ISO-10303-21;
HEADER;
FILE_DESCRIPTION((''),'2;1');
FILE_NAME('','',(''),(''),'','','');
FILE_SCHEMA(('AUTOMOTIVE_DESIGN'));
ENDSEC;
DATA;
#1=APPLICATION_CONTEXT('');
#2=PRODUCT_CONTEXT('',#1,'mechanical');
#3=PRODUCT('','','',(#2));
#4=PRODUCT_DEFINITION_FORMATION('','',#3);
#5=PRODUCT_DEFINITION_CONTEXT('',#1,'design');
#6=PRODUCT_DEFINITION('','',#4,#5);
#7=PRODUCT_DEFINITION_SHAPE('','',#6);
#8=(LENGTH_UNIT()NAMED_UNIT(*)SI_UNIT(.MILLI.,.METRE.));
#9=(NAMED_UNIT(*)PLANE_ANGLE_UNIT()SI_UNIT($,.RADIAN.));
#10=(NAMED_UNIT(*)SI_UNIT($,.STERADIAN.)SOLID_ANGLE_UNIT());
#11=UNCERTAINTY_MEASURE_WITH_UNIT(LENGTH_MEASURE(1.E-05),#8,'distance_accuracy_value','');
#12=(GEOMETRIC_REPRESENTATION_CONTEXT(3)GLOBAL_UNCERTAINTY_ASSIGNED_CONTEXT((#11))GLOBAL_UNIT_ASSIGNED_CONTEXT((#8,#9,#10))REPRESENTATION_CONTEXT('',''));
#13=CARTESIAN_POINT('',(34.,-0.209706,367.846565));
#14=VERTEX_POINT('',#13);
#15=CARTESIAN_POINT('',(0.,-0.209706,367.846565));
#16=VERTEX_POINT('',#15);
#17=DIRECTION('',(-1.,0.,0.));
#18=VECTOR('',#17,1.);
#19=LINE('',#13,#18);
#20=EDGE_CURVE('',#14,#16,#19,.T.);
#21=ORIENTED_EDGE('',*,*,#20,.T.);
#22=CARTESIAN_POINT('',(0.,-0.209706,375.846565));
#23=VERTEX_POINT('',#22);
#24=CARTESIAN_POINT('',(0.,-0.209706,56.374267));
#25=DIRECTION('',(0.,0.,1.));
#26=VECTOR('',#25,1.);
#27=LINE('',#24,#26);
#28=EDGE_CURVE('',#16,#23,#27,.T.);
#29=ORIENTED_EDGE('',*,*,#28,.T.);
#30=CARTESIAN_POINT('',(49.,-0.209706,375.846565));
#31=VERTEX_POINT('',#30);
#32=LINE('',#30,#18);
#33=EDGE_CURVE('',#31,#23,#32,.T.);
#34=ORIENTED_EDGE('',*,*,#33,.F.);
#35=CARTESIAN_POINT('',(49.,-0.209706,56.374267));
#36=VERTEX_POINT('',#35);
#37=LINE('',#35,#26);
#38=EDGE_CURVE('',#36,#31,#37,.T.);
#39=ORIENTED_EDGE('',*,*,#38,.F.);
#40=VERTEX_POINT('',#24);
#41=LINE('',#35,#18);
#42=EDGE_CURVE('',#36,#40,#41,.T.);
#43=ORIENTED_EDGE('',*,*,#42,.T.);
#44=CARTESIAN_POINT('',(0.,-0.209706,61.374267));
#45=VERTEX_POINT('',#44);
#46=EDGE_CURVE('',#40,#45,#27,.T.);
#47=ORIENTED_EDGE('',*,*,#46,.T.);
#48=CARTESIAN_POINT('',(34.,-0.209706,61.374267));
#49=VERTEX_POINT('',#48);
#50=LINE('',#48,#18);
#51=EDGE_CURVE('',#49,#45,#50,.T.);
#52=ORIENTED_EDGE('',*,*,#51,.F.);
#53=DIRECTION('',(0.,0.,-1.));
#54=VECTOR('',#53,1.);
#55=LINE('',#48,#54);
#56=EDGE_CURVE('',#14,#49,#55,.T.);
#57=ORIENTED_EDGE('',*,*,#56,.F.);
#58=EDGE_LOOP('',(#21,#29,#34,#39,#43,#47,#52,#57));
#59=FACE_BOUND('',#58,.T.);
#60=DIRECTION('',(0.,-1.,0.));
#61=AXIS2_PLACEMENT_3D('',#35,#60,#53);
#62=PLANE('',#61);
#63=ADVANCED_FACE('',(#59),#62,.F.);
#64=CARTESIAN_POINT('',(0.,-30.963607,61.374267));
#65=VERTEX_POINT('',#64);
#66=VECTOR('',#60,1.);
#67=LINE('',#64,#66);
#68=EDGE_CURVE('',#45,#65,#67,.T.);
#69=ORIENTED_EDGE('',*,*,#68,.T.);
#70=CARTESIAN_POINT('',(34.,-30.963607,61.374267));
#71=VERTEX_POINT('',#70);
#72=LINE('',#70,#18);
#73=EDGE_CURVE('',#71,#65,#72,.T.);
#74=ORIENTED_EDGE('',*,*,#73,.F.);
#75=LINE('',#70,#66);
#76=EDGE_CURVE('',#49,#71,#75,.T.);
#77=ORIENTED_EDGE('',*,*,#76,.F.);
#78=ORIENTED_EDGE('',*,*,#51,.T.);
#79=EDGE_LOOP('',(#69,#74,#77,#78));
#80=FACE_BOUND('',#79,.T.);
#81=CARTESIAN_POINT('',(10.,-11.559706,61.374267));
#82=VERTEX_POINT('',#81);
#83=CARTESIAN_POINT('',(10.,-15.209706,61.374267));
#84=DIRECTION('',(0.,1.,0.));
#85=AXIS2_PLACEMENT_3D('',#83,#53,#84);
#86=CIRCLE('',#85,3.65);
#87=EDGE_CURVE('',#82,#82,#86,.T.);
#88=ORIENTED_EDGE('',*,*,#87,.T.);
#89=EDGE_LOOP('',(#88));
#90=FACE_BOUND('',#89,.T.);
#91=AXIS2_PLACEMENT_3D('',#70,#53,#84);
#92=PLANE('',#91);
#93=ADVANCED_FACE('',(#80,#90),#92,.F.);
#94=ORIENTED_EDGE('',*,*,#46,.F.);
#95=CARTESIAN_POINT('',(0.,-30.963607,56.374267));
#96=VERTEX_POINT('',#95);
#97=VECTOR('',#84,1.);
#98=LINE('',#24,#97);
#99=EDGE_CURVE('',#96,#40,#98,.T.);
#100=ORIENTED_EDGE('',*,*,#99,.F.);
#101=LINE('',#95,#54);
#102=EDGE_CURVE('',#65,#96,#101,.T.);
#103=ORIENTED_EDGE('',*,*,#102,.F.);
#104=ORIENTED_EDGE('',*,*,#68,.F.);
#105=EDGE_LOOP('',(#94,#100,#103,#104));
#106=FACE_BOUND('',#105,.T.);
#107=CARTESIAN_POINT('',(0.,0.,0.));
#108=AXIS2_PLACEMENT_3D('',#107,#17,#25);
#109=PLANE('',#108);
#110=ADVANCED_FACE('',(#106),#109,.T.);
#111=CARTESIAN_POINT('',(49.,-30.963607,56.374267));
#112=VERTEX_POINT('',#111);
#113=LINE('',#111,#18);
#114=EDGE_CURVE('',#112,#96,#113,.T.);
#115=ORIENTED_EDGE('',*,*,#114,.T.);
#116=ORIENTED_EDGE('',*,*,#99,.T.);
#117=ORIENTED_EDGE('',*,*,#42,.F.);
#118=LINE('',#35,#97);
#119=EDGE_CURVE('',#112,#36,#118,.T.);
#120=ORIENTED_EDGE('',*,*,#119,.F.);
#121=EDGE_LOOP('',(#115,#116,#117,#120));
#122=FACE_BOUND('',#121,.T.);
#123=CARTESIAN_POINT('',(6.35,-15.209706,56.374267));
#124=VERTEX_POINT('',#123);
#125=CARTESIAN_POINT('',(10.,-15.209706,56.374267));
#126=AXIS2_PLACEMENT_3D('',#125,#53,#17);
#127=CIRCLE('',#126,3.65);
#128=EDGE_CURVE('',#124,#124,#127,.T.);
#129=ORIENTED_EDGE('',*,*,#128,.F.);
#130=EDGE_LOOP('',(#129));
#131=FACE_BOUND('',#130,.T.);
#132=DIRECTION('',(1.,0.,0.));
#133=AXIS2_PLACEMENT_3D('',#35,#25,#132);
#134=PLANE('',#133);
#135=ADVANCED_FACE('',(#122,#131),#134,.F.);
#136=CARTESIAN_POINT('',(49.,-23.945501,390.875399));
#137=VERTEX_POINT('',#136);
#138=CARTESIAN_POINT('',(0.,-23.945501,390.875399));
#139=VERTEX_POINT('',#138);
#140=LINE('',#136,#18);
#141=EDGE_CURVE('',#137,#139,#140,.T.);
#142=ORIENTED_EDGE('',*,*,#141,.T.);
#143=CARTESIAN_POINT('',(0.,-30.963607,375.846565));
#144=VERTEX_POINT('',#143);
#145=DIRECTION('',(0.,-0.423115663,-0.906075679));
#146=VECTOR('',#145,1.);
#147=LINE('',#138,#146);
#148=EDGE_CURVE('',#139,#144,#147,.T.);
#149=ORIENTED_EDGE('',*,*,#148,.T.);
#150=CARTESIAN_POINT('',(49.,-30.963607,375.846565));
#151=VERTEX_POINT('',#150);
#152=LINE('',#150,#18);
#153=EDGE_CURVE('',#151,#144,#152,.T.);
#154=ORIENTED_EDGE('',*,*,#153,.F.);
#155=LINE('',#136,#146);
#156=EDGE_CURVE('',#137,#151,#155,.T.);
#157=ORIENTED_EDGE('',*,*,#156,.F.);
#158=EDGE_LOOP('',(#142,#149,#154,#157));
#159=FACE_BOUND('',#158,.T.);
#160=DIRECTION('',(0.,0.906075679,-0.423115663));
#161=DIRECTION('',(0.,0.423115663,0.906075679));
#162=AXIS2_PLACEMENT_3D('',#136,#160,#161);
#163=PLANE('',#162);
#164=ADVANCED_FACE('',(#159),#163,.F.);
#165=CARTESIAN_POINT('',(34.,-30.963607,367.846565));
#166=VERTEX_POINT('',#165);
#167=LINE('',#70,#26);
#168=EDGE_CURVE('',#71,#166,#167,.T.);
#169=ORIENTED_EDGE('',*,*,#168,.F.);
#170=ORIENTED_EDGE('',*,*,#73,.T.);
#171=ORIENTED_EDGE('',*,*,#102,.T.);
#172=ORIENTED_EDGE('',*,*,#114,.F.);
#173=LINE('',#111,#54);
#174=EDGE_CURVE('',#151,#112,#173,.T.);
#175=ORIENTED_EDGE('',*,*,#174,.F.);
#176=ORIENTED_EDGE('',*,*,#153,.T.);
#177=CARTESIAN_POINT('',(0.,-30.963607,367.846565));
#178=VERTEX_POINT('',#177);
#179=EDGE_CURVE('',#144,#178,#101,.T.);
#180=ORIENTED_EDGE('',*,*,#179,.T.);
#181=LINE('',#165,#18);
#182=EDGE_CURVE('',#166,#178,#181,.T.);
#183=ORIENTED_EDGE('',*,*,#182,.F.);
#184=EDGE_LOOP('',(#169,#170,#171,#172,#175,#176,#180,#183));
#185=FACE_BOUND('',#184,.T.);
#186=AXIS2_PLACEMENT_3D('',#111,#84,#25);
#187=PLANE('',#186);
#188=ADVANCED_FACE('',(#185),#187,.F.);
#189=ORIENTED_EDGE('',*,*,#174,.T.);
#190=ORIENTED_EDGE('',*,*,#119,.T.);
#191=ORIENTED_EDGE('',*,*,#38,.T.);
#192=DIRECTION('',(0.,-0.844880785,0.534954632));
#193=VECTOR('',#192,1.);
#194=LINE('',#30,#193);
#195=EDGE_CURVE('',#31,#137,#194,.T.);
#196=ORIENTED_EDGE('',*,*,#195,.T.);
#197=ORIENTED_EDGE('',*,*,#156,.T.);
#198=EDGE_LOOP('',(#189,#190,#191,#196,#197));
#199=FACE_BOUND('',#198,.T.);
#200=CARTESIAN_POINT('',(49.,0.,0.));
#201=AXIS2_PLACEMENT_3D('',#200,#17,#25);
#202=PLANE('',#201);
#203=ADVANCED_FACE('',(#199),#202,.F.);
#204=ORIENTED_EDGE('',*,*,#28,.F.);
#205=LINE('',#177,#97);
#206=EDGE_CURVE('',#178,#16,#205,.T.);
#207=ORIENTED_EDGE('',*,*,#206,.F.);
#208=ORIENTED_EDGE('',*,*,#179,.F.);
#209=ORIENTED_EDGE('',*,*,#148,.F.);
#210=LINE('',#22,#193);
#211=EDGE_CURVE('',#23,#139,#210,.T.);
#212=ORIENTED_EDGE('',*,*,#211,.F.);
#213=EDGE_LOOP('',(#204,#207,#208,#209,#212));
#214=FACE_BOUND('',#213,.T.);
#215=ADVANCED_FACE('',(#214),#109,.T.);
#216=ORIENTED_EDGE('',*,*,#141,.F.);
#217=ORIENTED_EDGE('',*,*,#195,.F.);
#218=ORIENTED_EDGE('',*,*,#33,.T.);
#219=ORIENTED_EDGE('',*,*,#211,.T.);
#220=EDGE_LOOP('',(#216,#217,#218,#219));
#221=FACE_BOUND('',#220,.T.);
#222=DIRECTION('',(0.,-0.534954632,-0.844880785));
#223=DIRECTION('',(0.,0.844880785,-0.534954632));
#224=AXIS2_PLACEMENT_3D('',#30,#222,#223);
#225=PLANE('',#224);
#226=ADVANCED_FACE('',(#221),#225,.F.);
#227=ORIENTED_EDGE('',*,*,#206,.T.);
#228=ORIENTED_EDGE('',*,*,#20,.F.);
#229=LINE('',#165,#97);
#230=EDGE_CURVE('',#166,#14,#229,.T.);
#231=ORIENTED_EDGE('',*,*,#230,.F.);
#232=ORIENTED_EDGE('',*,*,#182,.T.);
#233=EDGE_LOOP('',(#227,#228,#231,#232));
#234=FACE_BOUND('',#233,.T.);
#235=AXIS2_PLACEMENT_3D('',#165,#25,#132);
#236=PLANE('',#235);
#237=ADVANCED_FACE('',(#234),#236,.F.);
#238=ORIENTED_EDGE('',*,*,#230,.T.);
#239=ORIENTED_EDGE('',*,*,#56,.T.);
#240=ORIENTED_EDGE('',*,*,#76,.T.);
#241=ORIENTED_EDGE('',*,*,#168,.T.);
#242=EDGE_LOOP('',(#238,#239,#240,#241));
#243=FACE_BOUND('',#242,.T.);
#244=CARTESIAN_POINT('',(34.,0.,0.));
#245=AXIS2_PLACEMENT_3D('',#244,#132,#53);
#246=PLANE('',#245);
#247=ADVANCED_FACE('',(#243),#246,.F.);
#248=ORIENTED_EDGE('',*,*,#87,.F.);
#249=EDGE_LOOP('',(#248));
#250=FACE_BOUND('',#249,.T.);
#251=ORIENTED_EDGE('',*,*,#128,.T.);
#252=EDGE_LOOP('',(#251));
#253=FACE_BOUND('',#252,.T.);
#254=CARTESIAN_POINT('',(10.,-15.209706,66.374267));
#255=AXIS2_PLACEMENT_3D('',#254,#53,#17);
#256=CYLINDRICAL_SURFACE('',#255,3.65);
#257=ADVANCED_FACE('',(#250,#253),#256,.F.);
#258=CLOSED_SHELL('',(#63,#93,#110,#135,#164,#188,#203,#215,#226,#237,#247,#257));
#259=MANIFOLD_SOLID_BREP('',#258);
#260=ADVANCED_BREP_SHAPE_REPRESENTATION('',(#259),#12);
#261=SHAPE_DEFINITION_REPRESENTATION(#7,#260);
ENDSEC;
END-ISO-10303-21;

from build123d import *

# Parameters (mm, degrees)
BOSS_EXTRUDE1_DEPTH = 49
SKETCH2_W           = 306.472298026
SKETCH2_H           = 30.75390082
CUT_EXTRUDE1_DEPTH  = 34
SKETCH4_R           = 3.65
CUT_EXTRUDE2_DEPTH  = 10


with BuildPart() as part:
    # Sketch1 → Boss-Extrude1 (new body)
    with BuildSketch(Plane(origin=(0, 0, 0), x_dir=(0, 0, -1), z_dir=(1, 0, 0))):
        Polygon((-375.84656477, -0.209706312), (-390.875399113, -23.945501074), (-375.84656477, -30.963607132), (-56.374266744, -30.963607132), (-56.374266744, -0.209706312), align=None)
    extrude(amount=BOSS_EXTRUDE1_DEPTH)

    # Sketch2 → Cut-Extrude1 (cut)
    with BuildSketch(Plane.ZY):
        with Locations((214.610415757, -15.586656722)):
            Rectangle(SKETCH2_W, SKETCH2_H)
    extrude(amount=-CUT_EXTRUDE1_DEPTH, mode=Mode.SUBTRACT)

    # Sketch4 → Cut-Extrude2 (cut)
    with BuildSketch(Plane(origin=(0, 0, 56.374266744), x_dir=(-1, 0, 0), z_dir=(0, 0, -1))):
        with Locations((-10, -15.209706312)):
            Circle(SKETCH4_R)
    extrude(amount=-CUT_EXTRUDE2_DEPTH, mode=Mode.SUBTRACT)


solid = part.part
